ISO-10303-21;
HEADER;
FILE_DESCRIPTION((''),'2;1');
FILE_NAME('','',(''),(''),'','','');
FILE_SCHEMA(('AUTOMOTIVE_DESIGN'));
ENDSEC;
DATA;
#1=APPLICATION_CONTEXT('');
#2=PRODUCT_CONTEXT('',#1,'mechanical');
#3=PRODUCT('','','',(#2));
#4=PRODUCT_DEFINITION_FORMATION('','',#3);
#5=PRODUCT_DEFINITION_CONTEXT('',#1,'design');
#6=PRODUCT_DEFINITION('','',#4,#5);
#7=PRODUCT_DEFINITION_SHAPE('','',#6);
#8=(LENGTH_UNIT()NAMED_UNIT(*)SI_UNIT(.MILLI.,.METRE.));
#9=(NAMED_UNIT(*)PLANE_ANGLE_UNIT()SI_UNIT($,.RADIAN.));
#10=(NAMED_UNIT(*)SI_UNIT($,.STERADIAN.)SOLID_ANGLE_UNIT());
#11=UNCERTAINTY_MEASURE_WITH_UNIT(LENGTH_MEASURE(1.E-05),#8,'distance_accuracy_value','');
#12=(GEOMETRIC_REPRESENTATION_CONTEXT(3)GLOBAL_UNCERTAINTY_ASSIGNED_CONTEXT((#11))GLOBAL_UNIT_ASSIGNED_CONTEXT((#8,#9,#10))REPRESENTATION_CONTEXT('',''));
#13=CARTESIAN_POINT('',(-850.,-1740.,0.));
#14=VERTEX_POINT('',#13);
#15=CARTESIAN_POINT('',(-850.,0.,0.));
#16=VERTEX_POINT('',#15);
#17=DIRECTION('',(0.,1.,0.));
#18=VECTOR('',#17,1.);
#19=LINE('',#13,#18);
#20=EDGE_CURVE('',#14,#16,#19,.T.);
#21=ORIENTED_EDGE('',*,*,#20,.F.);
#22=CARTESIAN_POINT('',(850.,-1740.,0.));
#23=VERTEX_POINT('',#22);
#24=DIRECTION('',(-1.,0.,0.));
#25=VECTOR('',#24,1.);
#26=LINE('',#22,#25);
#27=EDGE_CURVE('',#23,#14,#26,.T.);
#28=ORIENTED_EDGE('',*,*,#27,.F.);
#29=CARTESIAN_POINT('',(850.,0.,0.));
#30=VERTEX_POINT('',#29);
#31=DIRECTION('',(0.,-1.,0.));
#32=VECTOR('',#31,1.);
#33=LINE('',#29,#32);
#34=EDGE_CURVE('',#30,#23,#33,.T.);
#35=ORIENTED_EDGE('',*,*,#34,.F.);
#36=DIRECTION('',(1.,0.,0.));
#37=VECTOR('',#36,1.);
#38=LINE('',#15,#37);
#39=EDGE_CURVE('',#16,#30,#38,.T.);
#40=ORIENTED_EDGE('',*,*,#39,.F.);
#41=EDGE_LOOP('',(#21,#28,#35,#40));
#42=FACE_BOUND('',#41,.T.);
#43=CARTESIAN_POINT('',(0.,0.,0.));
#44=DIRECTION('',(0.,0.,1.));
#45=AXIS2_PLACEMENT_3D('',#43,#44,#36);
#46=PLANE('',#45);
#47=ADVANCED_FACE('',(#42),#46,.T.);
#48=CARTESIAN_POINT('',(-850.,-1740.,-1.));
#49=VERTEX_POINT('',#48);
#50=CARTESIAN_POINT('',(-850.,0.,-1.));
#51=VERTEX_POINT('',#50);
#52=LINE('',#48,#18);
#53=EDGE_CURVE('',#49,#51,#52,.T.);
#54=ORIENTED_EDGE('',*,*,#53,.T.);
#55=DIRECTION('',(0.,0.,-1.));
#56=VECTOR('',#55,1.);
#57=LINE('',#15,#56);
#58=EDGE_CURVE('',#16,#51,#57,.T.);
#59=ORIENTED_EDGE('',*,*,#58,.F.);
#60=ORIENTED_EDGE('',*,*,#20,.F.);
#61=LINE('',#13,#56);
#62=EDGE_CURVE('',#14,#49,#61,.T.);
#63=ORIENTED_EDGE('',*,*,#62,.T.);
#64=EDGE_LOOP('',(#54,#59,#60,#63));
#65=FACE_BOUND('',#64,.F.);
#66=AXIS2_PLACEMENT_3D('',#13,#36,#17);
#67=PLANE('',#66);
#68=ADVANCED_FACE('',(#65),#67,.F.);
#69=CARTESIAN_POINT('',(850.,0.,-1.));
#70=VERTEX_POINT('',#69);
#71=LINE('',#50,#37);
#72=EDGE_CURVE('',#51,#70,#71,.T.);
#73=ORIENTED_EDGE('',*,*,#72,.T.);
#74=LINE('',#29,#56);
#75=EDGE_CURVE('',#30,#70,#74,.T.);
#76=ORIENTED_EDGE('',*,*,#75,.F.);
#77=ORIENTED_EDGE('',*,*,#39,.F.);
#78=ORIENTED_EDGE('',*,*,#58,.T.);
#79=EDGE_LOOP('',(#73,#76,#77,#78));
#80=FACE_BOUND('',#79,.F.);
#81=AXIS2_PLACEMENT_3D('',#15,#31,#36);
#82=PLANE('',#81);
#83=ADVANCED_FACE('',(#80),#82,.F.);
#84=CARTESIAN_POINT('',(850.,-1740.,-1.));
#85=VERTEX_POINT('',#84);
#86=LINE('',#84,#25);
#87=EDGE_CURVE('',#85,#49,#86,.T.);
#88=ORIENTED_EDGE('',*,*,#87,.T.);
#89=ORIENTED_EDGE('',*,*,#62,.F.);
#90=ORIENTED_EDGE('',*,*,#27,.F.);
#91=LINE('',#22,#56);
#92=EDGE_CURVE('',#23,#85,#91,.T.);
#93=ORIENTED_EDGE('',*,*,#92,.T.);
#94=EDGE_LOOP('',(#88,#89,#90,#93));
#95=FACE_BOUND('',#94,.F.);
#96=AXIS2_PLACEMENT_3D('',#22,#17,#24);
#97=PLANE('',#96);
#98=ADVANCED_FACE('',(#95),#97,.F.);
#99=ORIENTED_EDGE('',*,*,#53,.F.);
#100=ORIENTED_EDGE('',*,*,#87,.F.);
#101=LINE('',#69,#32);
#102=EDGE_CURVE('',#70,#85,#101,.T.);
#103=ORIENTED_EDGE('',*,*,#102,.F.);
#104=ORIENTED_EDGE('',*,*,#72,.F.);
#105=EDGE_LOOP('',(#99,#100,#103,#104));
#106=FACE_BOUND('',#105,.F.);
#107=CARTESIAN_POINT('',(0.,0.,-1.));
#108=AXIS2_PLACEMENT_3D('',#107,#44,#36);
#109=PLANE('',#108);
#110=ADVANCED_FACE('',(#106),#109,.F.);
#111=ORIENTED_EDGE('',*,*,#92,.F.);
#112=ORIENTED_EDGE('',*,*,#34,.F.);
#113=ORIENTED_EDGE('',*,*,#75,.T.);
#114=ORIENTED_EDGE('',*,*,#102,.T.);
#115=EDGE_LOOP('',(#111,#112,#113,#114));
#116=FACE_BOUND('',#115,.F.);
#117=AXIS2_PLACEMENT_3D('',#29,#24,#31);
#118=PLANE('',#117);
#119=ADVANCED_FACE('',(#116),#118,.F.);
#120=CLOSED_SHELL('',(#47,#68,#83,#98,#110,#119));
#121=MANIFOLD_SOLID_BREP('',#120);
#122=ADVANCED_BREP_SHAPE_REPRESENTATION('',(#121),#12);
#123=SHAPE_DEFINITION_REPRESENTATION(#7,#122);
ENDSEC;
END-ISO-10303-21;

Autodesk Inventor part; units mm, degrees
ref_plane "YZ Plane" through (0, 0, 0) normal (1, 0, 0) x (0, 1, 0)
ref_plane "XZ Plane" through (0, 0, 0) normal (0, 1, 0) x (-1, 0, 0)
ref_plane "XY Plane" through (0, 0, 0) normal (0, 0, 1) x (1, 0, 0)
sketch "Sketch1" plane through (0, 0, 0) normal (0, 0, 1) x (1, 0, 0)
  line L0 (850, -1740) -> (-850, -1740)
  line L1 (-850, -1740) -> (-850, 0)
  line L2 (-850, 0) -> (850, 0)
  line L3 (850, 0) -> (850, -1740)
  line L4 (850, -1740) -> (-850, 0) construction
  line L5 (-850, -1740) -> (850, 0) construction
  point P0 (0, 0)
  point P1 (0, -870)
  point P2 (0, 0)
  dimension "d0" = 1700
  dimension "d1" = 1740
extrude "Extrusion1" add sketch "Sketch1" against normal blind 1
sketch3d "3D Sketch1"
equation "\"d8\" = d0"
properties part number "MSC DIM 009.1 base frame sketch"
